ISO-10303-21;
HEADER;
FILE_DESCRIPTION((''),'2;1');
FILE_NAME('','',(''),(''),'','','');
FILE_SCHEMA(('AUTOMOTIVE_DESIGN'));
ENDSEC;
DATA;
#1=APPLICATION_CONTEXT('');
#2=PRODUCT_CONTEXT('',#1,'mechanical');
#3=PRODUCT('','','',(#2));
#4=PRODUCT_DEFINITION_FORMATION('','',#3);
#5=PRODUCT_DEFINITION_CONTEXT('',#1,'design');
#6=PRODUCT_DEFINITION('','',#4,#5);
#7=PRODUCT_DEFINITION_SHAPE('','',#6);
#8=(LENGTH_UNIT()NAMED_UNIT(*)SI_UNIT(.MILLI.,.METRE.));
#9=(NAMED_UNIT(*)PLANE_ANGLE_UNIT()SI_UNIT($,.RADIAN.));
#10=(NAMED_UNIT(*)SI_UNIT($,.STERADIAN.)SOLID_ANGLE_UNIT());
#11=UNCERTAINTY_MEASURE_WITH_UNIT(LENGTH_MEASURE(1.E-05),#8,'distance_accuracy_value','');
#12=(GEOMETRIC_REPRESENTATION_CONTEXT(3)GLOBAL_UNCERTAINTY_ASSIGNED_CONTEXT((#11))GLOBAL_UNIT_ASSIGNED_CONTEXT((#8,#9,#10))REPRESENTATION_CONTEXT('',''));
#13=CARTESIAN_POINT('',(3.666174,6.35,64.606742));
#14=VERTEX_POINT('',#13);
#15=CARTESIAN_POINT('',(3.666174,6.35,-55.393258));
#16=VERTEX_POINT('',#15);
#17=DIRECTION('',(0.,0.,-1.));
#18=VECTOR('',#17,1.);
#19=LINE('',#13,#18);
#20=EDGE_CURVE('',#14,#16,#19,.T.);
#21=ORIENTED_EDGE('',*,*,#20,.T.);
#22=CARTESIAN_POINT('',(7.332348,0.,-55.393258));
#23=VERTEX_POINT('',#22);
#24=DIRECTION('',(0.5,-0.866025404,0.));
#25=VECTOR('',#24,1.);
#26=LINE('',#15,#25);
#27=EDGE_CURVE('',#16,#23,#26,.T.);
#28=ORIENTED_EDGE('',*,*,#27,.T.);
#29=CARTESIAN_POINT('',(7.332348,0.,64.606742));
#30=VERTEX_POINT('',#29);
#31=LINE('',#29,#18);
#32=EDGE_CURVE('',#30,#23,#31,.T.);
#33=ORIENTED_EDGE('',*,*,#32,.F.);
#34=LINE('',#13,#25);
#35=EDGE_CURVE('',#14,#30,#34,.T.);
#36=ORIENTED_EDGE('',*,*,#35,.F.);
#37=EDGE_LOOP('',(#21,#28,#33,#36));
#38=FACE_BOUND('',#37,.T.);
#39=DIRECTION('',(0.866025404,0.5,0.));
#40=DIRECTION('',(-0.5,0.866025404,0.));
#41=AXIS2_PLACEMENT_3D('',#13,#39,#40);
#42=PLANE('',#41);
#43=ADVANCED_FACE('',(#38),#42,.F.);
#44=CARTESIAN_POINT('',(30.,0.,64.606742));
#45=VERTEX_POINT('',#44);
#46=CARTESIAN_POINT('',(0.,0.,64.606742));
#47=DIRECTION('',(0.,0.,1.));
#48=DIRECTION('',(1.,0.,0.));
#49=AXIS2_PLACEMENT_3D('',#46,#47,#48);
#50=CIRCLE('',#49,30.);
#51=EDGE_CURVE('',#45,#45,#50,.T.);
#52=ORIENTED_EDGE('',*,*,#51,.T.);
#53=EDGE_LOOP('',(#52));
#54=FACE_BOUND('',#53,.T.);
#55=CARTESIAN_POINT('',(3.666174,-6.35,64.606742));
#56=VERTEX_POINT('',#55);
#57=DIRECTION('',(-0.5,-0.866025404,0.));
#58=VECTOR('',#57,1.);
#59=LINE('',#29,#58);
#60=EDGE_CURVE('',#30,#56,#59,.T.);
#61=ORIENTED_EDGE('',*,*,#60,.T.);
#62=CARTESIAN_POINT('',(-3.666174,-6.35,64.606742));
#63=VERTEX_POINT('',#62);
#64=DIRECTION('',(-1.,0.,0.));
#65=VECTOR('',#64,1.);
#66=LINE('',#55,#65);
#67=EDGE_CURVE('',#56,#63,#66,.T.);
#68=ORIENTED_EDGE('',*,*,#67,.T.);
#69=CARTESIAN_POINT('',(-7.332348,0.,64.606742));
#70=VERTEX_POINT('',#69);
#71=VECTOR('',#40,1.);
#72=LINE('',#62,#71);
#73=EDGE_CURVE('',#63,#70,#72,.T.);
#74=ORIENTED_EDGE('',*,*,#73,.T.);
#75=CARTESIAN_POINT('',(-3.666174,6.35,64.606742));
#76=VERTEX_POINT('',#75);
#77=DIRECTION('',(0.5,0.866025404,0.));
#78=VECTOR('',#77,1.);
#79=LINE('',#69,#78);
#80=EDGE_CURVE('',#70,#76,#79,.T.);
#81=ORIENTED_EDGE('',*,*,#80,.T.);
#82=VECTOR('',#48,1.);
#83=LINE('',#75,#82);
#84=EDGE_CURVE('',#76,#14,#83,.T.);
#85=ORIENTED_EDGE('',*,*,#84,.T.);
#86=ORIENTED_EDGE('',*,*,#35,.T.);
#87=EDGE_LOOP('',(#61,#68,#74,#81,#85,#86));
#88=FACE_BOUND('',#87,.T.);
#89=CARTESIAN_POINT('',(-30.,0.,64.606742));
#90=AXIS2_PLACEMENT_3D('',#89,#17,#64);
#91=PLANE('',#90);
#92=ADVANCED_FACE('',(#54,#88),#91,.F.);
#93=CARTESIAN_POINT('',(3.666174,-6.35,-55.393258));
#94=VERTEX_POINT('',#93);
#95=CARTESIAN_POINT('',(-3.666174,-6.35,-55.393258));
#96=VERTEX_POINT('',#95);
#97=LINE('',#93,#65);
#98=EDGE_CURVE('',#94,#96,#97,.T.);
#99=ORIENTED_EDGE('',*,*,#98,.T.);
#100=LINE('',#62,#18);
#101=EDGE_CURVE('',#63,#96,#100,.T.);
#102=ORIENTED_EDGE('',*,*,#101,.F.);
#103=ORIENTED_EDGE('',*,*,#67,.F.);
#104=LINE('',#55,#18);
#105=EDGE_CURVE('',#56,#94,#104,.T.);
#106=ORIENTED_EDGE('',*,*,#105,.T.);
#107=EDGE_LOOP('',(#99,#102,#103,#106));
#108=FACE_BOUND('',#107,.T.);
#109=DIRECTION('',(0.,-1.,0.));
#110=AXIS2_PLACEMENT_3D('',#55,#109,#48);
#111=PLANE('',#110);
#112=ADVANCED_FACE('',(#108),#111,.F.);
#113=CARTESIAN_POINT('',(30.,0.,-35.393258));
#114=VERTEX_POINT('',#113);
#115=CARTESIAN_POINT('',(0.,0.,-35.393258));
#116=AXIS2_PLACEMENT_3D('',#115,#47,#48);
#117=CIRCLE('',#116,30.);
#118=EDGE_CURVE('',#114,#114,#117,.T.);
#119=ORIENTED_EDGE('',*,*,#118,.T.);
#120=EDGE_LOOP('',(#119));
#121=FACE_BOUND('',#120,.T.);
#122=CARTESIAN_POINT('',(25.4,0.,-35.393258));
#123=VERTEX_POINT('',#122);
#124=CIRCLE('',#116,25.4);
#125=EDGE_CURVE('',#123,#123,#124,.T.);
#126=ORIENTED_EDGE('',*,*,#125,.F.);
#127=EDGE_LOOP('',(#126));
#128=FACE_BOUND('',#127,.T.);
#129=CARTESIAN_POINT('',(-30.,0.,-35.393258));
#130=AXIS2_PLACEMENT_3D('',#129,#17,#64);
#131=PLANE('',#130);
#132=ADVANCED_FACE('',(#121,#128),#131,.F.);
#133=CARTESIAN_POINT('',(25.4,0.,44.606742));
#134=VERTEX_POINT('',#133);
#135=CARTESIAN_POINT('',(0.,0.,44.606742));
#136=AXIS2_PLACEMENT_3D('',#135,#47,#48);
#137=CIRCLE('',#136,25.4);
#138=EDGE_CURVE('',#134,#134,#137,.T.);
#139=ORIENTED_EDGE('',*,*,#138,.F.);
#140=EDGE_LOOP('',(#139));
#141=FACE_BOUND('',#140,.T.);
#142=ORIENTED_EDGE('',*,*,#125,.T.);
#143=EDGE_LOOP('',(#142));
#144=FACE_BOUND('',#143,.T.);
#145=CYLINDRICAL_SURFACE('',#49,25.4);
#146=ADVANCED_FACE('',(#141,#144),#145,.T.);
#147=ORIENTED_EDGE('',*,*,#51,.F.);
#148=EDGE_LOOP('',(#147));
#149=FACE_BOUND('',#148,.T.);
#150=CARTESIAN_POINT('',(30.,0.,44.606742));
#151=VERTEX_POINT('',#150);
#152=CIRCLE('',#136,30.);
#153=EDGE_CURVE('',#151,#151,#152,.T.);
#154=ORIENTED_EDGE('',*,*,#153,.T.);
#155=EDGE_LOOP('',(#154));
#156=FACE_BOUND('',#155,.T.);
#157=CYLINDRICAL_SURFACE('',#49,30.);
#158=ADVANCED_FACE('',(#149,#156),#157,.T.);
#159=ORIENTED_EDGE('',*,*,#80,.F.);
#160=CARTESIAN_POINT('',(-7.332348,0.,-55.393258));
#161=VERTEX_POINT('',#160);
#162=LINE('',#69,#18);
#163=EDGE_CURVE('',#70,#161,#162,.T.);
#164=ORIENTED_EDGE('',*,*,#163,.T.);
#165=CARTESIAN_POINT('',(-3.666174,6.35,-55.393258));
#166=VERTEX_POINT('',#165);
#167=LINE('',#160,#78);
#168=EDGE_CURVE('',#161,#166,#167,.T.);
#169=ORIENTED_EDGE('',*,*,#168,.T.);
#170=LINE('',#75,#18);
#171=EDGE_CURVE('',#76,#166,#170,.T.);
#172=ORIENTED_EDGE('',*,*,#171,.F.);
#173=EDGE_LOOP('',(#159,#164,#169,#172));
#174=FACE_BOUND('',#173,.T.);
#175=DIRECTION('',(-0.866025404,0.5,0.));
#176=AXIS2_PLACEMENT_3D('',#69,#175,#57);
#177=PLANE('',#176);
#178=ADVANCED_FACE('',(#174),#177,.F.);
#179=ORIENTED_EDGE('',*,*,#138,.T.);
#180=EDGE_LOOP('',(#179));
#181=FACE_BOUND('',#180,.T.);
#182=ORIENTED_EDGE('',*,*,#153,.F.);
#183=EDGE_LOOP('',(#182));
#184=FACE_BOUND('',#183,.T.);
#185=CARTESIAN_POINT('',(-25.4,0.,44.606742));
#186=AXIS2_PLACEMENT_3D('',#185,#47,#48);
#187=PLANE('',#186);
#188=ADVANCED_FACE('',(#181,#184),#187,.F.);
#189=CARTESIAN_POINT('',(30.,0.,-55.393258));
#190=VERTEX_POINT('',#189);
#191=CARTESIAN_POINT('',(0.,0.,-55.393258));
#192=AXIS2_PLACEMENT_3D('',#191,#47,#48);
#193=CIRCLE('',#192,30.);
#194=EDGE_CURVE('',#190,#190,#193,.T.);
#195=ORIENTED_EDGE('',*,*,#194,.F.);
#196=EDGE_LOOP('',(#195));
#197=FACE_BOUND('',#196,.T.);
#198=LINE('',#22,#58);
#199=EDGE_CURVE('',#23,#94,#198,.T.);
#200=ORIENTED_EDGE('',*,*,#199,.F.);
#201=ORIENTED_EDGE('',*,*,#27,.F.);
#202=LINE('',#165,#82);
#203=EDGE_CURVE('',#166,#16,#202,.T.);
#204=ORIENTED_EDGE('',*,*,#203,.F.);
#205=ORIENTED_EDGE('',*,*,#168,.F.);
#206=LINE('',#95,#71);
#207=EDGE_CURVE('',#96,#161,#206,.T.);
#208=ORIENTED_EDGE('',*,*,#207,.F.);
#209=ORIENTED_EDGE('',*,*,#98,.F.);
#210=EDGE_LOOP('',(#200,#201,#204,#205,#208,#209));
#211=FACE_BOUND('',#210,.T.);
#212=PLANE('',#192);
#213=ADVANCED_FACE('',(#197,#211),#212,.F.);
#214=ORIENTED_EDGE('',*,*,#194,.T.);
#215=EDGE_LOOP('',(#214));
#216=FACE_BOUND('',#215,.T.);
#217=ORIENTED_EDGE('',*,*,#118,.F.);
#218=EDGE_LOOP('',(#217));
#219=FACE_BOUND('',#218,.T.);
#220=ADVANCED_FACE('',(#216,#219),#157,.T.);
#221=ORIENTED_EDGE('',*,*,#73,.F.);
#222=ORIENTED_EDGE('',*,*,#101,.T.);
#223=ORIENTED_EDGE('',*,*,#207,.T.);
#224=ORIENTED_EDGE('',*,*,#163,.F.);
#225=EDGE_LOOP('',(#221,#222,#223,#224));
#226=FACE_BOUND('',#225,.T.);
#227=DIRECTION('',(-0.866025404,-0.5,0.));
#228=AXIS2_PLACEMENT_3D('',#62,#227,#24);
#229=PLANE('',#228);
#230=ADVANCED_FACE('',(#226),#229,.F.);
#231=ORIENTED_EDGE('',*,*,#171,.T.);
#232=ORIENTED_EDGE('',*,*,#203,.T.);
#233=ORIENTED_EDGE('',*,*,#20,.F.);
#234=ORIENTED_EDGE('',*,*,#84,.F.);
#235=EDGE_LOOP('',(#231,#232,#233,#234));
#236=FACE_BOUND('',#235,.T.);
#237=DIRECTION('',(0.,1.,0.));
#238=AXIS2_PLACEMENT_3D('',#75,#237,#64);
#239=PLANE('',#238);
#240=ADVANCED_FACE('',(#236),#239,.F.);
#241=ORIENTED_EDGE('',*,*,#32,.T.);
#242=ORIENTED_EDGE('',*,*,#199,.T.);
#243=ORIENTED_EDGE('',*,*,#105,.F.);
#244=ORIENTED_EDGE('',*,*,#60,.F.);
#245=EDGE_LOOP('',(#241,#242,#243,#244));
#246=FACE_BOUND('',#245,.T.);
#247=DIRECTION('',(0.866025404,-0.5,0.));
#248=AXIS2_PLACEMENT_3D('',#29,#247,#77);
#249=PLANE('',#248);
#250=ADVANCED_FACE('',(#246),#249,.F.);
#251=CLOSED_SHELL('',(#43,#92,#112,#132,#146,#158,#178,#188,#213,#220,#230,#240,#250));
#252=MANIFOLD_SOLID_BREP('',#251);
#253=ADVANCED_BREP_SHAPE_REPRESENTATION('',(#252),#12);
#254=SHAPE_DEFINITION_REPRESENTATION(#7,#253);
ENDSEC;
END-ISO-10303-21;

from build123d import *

# Parameters (mm, degrees)
CORTAR_EXTRUIR1_DEPTH = 128.279220614


with BuildPart() as part:
    # Croquis1 → Revolución1 (revolve)
    with BuildSketch(Plane(origin=(0, 0, 0), x_dir=(1, 0, 0), z_dir=(0, 1, 0)), mode=Mode.PRIVATE) as revoluci_n1_sk:
        Polygon((0, 55.393258427), (-30, 55.393258427), (-30, 35.393258427), (-25.4, 35.393258427), (-25.4, -44.606741573), (-30, -44.606741573), (-30, -64.606741573), (0, -64.606741573), align=None)
    revolve(revoluci_n1_sk.sketch.rotate(Axis((0, 0, 64.606741573), (0, 0, -1)), 180), axis=Axis((0, 0, 64.606741573), (0, 0, -1)))

    # Croquis2 → Cortar-Extruir1 (cut, through all)
    with BuildSketch(Plane(origin=(0, 0, -55.393258427), x_dir=(-1, 0, 0), z_dir=(0, 0, -1))):
        Polygon((7.332348419, 0), (3.666174209, 6.35), (-3.666174209, 6.35), (-7.332348419, 0), (-3.666174209, -6.35), (3.666174209, -6.35), align=None)
    extrude(amount=-CORTAR_EXTRUIR1_DEPTH, mode=Mode.SUBTRACT)


solid = part.part
